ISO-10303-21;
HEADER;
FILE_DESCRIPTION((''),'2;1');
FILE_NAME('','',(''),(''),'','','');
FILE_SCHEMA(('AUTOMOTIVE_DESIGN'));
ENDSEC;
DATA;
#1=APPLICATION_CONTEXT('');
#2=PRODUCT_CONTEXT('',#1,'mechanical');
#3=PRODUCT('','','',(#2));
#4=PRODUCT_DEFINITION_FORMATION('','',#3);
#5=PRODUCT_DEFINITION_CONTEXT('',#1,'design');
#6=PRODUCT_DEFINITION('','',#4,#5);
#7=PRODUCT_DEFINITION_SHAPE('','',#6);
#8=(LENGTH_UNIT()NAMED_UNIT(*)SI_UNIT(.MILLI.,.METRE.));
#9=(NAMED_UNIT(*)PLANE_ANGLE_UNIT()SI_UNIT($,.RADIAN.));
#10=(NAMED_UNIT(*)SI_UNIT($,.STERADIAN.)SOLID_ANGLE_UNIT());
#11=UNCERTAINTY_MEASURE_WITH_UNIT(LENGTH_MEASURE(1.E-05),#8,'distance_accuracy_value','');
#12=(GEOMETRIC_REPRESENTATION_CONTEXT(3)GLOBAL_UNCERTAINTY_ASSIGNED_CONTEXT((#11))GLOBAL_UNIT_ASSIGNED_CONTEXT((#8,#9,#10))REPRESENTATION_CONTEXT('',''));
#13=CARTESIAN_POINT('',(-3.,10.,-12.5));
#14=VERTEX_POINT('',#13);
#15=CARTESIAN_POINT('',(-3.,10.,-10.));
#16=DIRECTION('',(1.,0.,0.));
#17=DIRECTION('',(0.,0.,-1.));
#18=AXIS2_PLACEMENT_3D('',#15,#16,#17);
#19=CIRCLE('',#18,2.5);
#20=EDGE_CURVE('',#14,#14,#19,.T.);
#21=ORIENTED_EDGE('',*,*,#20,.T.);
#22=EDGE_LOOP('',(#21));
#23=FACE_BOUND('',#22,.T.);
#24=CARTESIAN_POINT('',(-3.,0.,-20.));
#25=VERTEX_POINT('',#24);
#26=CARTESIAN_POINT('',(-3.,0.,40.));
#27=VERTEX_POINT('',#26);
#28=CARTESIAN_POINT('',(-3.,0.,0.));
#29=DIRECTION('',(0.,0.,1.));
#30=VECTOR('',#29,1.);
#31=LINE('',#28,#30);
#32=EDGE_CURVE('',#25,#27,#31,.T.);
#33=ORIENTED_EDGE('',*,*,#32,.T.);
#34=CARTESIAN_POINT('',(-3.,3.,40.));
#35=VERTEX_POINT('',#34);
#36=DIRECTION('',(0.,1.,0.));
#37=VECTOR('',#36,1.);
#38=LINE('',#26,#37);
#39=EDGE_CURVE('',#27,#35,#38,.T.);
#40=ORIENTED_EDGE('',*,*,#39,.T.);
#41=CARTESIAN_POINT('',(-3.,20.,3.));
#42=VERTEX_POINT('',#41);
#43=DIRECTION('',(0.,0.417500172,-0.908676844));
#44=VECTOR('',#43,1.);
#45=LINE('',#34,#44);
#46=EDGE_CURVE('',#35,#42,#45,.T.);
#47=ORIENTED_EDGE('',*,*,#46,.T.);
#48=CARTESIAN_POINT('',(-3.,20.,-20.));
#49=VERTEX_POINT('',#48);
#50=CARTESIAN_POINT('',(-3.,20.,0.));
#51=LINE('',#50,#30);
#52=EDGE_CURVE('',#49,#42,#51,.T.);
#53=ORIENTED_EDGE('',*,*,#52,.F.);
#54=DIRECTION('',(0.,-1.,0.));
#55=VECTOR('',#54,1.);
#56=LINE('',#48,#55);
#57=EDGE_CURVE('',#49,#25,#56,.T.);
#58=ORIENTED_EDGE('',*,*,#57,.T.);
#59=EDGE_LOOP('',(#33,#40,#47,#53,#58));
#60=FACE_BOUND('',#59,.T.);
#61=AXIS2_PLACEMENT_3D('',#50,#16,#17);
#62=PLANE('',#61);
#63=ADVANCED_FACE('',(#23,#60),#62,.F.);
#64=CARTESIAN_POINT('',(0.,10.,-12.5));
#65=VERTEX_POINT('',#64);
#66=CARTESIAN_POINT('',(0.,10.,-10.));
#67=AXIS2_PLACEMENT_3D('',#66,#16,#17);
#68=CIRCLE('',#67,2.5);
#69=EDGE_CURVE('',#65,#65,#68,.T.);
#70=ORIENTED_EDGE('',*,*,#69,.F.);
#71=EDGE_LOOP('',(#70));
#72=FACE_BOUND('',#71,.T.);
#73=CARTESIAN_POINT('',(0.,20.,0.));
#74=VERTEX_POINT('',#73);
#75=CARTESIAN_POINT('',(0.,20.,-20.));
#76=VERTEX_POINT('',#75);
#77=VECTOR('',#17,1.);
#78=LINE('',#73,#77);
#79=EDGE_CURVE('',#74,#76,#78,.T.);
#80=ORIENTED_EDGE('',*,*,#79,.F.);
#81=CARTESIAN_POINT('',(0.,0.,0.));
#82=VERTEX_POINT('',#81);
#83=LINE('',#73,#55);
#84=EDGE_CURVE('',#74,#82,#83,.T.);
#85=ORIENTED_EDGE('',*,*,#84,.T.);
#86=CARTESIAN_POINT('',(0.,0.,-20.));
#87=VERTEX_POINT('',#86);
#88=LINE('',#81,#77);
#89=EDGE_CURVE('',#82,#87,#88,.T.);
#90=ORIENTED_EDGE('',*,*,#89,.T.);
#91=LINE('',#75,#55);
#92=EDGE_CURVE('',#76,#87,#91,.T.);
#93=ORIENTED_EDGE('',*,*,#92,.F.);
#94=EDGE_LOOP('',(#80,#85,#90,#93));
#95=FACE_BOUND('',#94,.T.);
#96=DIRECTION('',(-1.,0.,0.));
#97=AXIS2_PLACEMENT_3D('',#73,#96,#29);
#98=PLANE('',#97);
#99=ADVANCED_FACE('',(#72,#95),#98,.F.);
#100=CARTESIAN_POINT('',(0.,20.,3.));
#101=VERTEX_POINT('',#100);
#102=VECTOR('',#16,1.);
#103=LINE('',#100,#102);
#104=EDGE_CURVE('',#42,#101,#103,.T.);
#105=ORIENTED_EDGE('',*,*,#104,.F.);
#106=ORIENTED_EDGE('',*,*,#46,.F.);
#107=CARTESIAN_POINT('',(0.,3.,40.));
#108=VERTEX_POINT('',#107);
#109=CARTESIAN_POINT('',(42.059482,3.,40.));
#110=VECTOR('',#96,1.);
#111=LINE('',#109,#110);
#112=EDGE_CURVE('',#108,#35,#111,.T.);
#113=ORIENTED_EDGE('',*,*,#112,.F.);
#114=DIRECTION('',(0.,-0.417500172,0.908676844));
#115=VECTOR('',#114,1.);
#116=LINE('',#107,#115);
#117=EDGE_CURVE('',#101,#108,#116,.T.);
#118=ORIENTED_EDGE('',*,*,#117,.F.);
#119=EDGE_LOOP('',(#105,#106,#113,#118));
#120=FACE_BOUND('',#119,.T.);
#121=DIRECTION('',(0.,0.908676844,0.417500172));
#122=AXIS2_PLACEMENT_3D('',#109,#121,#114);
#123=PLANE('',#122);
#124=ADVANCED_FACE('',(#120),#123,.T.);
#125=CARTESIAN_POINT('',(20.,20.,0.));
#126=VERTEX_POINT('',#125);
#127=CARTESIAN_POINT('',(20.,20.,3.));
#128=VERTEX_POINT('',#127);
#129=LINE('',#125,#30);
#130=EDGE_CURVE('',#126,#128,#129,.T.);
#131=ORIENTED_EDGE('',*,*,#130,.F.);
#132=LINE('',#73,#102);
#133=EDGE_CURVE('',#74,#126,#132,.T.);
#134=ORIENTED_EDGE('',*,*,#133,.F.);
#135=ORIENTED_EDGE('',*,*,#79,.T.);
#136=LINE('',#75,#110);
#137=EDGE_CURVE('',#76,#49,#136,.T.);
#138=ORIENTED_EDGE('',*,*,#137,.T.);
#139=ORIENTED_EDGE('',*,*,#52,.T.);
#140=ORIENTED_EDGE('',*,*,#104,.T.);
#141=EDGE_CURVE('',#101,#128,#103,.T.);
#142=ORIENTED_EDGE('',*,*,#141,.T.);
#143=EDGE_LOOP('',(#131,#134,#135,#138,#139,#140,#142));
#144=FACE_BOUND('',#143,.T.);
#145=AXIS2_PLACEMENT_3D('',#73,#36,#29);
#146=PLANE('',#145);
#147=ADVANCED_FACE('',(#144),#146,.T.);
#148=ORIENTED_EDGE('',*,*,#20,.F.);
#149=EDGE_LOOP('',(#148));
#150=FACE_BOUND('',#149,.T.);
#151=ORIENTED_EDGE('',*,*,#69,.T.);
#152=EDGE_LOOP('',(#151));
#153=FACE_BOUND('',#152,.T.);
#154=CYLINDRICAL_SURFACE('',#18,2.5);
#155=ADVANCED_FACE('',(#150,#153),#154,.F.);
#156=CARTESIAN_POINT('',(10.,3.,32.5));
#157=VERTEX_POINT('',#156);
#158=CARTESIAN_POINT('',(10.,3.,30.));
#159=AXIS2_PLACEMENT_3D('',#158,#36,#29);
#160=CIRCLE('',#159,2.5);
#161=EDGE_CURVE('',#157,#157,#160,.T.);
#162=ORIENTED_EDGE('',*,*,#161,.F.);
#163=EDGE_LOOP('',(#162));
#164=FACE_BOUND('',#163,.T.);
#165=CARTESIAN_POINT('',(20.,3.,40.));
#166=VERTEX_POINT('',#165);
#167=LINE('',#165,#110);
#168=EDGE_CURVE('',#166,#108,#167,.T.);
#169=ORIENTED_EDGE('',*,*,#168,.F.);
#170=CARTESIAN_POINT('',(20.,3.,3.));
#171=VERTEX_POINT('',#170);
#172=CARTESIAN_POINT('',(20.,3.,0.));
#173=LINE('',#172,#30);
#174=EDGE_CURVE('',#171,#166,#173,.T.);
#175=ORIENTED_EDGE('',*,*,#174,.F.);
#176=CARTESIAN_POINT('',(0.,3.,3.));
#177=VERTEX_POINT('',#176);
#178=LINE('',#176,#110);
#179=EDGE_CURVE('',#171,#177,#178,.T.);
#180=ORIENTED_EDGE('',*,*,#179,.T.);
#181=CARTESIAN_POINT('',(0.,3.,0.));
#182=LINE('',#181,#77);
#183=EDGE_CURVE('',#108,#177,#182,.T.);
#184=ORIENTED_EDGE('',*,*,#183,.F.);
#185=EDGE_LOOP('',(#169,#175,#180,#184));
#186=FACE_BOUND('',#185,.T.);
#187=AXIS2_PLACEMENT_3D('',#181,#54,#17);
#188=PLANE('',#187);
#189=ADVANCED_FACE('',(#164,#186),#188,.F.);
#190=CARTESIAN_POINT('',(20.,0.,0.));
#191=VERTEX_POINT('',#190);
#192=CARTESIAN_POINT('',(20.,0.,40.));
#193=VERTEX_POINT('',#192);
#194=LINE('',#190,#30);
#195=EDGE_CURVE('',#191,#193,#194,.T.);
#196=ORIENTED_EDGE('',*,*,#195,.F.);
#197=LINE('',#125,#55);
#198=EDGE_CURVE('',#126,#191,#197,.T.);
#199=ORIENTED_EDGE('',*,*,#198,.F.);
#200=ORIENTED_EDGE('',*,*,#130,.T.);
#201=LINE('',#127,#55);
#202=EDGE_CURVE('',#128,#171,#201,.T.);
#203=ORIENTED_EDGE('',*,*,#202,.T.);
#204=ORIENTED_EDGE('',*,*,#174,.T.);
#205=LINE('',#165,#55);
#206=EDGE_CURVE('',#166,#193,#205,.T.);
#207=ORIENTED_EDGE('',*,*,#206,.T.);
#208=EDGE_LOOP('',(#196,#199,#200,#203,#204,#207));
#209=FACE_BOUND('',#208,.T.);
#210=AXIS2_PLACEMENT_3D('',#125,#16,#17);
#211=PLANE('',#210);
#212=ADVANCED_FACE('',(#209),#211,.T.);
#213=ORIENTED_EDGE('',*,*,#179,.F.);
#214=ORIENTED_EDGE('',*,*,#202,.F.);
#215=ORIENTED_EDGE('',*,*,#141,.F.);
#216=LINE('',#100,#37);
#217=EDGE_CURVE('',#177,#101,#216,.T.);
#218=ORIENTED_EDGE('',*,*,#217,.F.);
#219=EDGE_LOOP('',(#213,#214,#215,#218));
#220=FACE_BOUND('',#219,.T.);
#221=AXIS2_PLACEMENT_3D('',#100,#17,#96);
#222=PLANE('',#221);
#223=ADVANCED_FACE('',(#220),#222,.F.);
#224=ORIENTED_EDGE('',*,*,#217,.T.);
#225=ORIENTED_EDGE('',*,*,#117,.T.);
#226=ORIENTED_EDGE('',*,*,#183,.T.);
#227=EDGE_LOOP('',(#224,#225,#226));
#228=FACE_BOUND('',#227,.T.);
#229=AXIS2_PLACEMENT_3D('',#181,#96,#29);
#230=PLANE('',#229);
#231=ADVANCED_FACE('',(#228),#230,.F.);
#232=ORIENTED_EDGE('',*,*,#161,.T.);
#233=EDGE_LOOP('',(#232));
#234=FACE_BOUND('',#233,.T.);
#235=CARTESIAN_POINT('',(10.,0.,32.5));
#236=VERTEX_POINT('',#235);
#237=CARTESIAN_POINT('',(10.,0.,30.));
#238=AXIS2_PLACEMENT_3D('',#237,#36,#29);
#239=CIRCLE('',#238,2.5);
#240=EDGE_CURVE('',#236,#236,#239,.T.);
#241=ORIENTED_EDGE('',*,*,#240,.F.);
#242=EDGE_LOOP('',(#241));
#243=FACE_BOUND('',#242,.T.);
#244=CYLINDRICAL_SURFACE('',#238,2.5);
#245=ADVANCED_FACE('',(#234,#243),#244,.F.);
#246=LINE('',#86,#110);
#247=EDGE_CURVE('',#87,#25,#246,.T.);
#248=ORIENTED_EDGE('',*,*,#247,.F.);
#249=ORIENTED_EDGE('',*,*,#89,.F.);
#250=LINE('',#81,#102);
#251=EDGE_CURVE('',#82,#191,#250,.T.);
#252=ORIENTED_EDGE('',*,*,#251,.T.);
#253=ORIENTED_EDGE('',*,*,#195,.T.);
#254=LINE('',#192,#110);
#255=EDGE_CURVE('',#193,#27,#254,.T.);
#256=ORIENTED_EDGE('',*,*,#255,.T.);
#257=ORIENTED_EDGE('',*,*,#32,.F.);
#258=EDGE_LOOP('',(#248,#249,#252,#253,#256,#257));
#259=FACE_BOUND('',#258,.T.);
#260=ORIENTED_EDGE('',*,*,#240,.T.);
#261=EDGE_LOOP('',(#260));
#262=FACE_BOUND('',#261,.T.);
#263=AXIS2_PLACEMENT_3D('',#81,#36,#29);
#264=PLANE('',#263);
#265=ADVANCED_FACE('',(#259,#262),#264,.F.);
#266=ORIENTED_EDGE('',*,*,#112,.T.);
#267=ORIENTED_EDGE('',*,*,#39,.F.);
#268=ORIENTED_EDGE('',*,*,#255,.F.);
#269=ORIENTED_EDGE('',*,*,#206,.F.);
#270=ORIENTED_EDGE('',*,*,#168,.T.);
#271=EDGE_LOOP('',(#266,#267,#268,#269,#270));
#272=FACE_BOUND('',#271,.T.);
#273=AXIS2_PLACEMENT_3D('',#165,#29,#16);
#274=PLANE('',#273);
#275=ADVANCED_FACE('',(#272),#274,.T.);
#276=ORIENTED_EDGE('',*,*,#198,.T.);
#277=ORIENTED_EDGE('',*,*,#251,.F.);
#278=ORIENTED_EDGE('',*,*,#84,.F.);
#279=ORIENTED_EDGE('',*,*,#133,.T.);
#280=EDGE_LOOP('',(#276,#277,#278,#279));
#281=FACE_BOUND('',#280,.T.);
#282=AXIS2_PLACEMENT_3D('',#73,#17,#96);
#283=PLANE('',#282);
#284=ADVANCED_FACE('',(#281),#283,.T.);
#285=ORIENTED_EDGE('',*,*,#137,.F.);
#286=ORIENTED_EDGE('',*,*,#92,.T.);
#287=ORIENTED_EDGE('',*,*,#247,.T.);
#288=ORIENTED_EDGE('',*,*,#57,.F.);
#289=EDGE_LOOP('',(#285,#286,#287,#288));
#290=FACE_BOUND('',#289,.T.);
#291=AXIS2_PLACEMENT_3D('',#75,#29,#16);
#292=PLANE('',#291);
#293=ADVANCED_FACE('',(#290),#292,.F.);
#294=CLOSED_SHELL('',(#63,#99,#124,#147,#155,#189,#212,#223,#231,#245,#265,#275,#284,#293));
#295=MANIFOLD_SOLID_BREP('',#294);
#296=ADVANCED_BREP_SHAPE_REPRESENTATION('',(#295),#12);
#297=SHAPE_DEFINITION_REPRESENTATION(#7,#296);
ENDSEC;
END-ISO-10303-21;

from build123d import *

# Parameters (mm, degrees)
SKETCH1_W           = 3
SKETCH1_H           = 20
BOSS_EXTRUDE1_DEPTH = 20
SKETCH3_W           = 20
SKETCH3_H           = 40
BOSS_EXTRUDE2_DEPTH = 3
BOSS_EXTRUDE3_DEPTH = 3
SKETCH5_R           = 2.5
CUT_EXTRUDE1_DEPTH  = 3
SKETCH6_R           = 2.5
CUT_EXTRUDE2_DEPTH  = 3


with BuildPart() as part:
    # Sketch1 → Boss-Extrude1 (new body)
    with BuildSketch(Plane(origin=(0, 0, 0), x_dir=(1, 0, 0), z_dir=(0, 1, 0))):
        Polygon((20, 0), (0, 0), (-3, 0), (-3, -3), (20, -3), align=None)
        with Locations((-1.5, 10)):
            Rectangle(SKETCH1_W, SKETCH1_H)
    extrude(amount=BOSS_EXTRUDE1_DEPTH)

    # Sketch3 → Boss-Extrude2 (add)
    with BuildSketch(Plane.XZ):
        with Locations((10, 20)):
            Rectangle(SKETCH3_W, SKETCH3_H)
    extrude(amount=-BOSS_EXTRUDE2_DEPTH)

    # Sketch4 → Boss-Extrude3 (add)
    with BuildSketch(Plane.ZY.offset(3)):
        Polygon((3, 20), (3, 0), (40, 0), (40, 3), align=None)
    extrude(amount=-BOSS_EXTRUDE3_DEPTH)

    # Sketch5 → Cut-Extrude1 (cut)
    with BuildSketch(Plane(origin=(0, 0, 0), x_dir=(0, 0, -1), z_dir=(1, 0, 0))):
        with Locations((10, 10)):
            Circle(SKETCH5_R)
    extrude(amount=-CUT_EXTRUDE1_DEPTH, mode=Mode.SUBTRACT)

    # Sketch6 → Cut-Extrude2 (cut)
    with BuildSketch(Plane(origin=(0, 3, 0), x_dir=(1, 0, 0), z_dir=(0, 1, 0))):
        with Locations((10, -30)):
            Circle(SKETCH6_R)
    extrude(amount=-CUT_EXTRUDE2_DEPTH, mode=Mode.SUBTRACT)


solid = part.part
